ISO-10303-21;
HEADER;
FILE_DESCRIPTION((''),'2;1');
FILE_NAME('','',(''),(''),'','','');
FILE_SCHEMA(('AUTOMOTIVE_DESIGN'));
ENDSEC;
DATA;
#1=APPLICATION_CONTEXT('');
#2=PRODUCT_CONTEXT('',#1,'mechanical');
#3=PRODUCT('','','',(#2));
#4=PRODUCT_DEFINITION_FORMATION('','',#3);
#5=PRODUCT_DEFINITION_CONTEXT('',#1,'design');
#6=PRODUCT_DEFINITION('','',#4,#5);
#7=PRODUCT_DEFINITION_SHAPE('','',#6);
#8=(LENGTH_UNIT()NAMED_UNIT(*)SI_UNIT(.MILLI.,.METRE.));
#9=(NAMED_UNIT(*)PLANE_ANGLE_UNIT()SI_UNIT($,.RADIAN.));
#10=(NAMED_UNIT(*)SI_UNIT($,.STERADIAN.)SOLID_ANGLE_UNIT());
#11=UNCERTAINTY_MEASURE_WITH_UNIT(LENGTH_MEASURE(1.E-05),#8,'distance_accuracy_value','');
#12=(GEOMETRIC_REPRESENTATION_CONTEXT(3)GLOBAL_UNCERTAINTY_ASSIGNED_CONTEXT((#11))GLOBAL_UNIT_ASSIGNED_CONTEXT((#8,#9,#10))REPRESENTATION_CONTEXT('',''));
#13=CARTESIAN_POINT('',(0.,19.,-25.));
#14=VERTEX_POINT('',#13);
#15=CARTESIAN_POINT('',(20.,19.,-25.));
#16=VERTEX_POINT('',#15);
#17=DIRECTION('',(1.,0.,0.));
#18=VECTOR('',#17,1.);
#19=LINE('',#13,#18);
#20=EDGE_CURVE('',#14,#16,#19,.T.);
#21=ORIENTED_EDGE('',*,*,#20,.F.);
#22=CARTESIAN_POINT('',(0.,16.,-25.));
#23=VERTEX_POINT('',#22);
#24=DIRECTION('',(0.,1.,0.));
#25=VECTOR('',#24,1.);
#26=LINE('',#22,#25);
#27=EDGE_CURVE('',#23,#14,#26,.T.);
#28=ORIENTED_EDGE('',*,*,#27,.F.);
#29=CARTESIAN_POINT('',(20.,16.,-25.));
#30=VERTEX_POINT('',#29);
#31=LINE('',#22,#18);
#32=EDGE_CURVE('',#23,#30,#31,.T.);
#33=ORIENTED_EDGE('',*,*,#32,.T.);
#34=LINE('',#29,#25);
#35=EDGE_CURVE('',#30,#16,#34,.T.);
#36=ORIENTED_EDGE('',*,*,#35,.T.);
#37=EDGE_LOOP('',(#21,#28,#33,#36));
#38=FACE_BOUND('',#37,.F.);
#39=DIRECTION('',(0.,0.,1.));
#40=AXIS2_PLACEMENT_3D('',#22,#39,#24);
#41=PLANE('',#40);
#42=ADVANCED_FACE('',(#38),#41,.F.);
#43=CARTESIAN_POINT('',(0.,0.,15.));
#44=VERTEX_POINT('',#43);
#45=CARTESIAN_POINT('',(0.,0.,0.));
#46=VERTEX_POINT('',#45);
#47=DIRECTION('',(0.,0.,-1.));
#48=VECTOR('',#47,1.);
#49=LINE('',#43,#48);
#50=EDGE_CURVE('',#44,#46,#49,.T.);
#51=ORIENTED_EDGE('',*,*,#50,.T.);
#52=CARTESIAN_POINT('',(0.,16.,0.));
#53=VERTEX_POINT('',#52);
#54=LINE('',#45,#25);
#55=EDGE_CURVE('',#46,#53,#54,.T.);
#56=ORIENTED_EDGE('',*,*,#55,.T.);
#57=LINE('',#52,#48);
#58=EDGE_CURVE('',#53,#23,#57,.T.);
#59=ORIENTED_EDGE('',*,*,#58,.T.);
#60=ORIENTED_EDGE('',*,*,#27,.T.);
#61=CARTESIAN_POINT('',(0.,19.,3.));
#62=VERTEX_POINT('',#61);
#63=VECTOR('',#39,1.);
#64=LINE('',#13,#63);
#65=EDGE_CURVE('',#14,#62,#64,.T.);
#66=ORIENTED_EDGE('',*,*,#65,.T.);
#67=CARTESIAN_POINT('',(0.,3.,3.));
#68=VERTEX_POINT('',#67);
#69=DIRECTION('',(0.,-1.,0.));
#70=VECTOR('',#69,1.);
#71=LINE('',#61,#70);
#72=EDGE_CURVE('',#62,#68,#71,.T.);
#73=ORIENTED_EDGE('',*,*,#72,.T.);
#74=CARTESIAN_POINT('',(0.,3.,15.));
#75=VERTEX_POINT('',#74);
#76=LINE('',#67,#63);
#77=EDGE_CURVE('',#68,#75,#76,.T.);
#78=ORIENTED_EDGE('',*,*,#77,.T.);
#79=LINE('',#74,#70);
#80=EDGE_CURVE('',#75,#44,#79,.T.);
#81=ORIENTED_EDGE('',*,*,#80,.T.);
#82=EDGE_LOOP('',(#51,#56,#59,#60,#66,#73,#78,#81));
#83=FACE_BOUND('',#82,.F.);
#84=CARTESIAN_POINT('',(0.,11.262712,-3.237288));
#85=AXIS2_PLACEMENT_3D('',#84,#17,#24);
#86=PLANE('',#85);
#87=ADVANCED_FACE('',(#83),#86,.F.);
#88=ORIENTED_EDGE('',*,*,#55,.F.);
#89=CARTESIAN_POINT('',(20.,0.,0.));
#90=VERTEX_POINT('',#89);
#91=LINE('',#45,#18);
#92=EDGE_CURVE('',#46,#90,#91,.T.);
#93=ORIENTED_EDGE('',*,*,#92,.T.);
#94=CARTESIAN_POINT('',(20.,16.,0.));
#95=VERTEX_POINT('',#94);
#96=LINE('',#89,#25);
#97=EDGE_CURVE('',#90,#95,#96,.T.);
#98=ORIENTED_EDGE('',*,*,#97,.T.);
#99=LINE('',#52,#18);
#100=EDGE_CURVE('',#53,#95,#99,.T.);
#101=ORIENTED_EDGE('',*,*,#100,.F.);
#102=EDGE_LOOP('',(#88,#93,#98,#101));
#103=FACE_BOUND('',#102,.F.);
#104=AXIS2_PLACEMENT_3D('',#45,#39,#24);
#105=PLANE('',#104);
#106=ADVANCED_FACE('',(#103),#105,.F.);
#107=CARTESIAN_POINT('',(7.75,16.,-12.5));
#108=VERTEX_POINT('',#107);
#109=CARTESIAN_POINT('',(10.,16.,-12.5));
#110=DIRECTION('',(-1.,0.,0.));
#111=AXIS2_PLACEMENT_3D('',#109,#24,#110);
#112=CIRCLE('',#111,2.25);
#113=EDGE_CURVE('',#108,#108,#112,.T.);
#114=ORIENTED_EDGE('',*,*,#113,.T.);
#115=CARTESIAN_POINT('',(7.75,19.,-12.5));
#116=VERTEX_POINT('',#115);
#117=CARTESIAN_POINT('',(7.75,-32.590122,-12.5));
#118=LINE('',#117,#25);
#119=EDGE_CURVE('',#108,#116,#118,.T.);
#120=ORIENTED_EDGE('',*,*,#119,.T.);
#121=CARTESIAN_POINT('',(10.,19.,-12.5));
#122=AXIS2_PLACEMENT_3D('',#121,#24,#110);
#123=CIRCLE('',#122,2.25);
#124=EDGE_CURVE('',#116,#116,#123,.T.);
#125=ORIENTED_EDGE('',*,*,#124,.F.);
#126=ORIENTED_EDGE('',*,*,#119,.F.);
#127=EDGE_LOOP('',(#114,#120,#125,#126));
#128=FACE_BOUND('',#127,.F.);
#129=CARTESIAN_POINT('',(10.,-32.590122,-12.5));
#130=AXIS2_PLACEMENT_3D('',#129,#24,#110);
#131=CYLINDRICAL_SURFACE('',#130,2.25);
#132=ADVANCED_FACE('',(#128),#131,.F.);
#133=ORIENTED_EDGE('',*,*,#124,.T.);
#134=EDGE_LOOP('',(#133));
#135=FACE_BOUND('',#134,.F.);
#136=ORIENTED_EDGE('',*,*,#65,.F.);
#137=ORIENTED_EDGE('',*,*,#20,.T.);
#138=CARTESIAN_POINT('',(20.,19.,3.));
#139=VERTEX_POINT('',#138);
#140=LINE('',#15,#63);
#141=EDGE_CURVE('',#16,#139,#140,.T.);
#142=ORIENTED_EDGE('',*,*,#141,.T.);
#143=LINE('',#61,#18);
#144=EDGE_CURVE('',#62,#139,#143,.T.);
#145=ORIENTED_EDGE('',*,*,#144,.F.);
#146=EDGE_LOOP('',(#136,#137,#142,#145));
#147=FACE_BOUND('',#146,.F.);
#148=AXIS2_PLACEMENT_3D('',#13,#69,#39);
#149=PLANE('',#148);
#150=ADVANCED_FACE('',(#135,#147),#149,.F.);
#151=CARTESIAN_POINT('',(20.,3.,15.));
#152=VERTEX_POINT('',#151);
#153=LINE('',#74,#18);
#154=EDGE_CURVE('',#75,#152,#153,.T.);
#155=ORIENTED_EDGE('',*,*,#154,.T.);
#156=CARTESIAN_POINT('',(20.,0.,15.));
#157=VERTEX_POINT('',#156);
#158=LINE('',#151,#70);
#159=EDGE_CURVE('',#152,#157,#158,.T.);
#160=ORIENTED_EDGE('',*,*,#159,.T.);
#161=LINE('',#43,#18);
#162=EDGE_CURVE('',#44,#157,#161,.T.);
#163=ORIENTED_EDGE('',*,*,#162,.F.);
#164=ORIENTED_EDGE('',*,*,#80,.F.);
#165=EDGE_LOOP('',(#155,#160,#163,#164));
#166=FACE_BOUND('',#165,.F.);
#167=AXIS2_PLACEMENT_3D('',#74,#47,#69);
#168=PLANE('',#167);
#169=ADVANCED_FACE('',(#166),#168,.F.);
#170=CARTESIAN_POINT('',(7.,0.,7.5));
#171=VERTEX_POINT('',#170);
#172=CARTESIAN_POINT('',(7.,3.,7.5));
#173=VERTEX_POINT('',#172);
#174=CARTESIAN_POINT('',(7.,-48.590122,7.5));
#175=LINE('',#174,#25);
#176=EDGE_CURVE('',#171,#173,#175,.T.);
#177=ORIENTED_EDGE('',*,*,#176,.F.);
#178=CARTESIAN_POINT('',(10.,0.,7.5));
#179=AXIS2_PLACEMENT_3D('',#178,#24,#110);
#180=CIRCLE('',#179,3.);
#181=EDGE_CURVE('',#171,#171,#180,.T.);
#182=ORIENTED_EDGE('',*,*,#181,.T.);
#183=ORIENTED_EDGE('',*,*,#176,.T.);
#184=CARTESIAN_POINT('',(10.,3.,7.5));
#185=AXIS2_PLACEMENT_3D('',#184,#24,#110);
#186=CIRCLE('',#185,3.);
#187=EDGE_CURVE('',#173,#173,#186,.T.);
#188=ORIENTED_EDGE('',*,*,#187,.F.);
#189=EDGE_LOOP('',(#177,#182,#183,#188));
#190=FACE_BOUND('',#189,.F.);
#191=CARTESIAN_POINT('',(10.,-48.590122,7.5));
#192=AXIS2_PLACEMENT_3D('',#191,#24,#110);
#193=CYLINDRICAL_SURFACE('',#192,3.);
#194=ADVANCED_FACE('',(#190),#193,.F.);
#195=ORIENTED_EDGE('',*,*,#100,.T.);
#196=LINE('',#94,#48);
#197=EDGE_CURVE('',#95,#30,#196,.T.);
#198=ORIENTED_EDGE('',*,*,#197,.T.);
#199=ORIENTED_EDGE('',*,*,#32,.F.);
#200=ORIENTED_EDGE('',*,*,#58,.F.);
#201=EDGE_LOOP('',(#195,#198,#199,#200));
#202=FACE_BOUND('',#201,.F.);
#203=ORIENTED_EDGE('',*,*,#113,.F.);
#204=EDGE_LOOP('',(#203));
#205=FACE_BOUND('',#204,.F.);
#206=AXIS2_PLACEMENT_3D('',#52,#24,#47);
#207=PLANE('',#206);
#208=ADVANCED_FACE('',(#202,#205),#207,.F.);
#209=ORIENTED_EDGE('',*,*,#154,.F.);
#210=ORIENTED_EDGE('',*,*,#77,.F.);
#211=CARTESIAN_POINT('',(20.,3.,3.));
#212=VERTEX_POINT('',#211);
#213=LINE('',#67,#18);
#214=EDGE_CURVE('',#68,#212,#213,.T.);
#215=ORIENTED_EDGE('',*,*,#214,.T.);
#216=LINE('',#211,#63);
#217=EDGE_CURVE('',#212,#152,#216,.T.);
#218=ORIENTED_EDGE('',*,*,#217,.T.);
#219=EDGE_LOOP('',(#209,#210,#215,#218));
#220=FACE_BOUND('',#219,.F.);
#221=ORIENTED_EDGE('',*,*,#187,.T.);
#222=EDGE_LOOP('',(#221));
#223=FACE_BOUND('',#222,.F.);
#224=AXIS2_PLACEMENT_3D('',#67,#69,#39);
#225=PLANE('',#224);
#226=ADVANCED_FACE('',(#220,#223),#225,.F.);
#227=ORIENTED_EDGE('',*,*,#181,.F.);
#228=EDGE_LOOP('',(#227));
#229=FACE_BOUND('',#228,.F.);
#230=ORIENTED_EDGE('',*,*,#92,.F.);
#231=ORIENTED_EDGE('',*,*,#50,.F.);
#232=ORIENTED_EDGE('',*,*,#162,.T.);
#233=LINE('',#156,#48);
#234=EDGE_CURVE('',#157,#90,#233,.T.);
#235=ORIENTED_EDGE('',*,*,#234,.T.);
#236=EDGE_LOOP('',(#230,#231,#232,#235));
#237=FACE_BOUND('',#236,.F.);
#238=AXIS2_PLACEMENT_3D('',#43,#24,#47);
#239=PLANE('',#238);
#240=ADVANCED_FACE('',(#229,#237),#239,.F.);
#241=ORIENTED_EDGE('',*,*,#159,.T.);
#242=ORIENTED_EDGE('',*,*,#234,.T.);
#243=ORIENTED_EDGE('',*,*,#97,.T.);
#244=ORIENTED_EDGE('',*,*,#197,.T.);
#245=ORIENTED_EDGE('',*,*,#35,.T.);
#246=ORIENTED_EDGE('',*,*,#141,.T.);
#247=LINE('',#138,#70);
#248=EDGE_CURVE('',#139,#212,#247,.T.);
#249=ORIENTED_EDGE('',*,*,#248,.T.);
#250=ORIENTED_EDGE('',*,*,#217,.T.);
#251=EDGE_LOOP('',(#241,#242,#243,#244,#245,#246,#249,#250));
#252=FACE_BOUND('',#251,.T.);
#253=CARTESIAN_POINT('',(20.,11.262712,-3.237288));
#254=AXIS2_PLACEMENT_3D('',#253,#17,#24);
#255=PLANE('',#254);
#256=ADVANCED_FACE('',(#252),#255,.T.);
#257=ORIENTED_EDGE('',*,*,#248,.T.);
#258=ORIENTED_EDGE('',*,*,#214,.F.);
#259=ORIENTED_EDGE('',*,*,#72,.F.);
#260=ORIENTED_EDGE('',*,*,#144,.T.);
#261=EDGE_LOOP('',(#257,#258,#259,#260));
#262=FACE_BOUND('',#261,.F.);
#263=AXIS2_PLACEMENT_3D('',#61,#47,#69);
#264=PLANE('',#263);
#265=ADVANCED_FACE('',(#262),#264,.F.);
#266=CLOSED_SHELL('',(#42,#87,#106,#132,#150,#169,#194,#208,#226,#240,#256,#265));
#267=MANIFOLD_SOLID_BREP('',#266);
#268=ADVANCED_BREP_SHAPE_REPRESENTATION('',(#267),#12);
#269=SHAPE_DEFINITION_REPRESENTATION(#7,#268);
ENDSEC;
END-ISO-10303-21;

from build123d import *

# Parameters (mm, degrees)
F1_DEPTH = 20
F4_D     = 6
F5_D     = 4.5


with BuildPart() as f1:
    # F0 (on Right) → F1 (new body)
    with BuildSketch(Plane.YZ):
        Polygon((0, 15), (0, 0), (16, 0), (16, -25), (19, -25), (19, 3), (3, 3), (3, 15), align=None)
    extrude(amount=F1_DEPTH)

    # F4 (through all)
    with Locations(Plane.XZ):
        with Locations((10, 7.5)):
            Hole(F4_D / 2)

    # F5 (through all)
    with Locations(Plane.XZ.offset(-16)):
        with Locations((10, -12.5)):
            Hole(F5_D / 2)


solid = f1.part
